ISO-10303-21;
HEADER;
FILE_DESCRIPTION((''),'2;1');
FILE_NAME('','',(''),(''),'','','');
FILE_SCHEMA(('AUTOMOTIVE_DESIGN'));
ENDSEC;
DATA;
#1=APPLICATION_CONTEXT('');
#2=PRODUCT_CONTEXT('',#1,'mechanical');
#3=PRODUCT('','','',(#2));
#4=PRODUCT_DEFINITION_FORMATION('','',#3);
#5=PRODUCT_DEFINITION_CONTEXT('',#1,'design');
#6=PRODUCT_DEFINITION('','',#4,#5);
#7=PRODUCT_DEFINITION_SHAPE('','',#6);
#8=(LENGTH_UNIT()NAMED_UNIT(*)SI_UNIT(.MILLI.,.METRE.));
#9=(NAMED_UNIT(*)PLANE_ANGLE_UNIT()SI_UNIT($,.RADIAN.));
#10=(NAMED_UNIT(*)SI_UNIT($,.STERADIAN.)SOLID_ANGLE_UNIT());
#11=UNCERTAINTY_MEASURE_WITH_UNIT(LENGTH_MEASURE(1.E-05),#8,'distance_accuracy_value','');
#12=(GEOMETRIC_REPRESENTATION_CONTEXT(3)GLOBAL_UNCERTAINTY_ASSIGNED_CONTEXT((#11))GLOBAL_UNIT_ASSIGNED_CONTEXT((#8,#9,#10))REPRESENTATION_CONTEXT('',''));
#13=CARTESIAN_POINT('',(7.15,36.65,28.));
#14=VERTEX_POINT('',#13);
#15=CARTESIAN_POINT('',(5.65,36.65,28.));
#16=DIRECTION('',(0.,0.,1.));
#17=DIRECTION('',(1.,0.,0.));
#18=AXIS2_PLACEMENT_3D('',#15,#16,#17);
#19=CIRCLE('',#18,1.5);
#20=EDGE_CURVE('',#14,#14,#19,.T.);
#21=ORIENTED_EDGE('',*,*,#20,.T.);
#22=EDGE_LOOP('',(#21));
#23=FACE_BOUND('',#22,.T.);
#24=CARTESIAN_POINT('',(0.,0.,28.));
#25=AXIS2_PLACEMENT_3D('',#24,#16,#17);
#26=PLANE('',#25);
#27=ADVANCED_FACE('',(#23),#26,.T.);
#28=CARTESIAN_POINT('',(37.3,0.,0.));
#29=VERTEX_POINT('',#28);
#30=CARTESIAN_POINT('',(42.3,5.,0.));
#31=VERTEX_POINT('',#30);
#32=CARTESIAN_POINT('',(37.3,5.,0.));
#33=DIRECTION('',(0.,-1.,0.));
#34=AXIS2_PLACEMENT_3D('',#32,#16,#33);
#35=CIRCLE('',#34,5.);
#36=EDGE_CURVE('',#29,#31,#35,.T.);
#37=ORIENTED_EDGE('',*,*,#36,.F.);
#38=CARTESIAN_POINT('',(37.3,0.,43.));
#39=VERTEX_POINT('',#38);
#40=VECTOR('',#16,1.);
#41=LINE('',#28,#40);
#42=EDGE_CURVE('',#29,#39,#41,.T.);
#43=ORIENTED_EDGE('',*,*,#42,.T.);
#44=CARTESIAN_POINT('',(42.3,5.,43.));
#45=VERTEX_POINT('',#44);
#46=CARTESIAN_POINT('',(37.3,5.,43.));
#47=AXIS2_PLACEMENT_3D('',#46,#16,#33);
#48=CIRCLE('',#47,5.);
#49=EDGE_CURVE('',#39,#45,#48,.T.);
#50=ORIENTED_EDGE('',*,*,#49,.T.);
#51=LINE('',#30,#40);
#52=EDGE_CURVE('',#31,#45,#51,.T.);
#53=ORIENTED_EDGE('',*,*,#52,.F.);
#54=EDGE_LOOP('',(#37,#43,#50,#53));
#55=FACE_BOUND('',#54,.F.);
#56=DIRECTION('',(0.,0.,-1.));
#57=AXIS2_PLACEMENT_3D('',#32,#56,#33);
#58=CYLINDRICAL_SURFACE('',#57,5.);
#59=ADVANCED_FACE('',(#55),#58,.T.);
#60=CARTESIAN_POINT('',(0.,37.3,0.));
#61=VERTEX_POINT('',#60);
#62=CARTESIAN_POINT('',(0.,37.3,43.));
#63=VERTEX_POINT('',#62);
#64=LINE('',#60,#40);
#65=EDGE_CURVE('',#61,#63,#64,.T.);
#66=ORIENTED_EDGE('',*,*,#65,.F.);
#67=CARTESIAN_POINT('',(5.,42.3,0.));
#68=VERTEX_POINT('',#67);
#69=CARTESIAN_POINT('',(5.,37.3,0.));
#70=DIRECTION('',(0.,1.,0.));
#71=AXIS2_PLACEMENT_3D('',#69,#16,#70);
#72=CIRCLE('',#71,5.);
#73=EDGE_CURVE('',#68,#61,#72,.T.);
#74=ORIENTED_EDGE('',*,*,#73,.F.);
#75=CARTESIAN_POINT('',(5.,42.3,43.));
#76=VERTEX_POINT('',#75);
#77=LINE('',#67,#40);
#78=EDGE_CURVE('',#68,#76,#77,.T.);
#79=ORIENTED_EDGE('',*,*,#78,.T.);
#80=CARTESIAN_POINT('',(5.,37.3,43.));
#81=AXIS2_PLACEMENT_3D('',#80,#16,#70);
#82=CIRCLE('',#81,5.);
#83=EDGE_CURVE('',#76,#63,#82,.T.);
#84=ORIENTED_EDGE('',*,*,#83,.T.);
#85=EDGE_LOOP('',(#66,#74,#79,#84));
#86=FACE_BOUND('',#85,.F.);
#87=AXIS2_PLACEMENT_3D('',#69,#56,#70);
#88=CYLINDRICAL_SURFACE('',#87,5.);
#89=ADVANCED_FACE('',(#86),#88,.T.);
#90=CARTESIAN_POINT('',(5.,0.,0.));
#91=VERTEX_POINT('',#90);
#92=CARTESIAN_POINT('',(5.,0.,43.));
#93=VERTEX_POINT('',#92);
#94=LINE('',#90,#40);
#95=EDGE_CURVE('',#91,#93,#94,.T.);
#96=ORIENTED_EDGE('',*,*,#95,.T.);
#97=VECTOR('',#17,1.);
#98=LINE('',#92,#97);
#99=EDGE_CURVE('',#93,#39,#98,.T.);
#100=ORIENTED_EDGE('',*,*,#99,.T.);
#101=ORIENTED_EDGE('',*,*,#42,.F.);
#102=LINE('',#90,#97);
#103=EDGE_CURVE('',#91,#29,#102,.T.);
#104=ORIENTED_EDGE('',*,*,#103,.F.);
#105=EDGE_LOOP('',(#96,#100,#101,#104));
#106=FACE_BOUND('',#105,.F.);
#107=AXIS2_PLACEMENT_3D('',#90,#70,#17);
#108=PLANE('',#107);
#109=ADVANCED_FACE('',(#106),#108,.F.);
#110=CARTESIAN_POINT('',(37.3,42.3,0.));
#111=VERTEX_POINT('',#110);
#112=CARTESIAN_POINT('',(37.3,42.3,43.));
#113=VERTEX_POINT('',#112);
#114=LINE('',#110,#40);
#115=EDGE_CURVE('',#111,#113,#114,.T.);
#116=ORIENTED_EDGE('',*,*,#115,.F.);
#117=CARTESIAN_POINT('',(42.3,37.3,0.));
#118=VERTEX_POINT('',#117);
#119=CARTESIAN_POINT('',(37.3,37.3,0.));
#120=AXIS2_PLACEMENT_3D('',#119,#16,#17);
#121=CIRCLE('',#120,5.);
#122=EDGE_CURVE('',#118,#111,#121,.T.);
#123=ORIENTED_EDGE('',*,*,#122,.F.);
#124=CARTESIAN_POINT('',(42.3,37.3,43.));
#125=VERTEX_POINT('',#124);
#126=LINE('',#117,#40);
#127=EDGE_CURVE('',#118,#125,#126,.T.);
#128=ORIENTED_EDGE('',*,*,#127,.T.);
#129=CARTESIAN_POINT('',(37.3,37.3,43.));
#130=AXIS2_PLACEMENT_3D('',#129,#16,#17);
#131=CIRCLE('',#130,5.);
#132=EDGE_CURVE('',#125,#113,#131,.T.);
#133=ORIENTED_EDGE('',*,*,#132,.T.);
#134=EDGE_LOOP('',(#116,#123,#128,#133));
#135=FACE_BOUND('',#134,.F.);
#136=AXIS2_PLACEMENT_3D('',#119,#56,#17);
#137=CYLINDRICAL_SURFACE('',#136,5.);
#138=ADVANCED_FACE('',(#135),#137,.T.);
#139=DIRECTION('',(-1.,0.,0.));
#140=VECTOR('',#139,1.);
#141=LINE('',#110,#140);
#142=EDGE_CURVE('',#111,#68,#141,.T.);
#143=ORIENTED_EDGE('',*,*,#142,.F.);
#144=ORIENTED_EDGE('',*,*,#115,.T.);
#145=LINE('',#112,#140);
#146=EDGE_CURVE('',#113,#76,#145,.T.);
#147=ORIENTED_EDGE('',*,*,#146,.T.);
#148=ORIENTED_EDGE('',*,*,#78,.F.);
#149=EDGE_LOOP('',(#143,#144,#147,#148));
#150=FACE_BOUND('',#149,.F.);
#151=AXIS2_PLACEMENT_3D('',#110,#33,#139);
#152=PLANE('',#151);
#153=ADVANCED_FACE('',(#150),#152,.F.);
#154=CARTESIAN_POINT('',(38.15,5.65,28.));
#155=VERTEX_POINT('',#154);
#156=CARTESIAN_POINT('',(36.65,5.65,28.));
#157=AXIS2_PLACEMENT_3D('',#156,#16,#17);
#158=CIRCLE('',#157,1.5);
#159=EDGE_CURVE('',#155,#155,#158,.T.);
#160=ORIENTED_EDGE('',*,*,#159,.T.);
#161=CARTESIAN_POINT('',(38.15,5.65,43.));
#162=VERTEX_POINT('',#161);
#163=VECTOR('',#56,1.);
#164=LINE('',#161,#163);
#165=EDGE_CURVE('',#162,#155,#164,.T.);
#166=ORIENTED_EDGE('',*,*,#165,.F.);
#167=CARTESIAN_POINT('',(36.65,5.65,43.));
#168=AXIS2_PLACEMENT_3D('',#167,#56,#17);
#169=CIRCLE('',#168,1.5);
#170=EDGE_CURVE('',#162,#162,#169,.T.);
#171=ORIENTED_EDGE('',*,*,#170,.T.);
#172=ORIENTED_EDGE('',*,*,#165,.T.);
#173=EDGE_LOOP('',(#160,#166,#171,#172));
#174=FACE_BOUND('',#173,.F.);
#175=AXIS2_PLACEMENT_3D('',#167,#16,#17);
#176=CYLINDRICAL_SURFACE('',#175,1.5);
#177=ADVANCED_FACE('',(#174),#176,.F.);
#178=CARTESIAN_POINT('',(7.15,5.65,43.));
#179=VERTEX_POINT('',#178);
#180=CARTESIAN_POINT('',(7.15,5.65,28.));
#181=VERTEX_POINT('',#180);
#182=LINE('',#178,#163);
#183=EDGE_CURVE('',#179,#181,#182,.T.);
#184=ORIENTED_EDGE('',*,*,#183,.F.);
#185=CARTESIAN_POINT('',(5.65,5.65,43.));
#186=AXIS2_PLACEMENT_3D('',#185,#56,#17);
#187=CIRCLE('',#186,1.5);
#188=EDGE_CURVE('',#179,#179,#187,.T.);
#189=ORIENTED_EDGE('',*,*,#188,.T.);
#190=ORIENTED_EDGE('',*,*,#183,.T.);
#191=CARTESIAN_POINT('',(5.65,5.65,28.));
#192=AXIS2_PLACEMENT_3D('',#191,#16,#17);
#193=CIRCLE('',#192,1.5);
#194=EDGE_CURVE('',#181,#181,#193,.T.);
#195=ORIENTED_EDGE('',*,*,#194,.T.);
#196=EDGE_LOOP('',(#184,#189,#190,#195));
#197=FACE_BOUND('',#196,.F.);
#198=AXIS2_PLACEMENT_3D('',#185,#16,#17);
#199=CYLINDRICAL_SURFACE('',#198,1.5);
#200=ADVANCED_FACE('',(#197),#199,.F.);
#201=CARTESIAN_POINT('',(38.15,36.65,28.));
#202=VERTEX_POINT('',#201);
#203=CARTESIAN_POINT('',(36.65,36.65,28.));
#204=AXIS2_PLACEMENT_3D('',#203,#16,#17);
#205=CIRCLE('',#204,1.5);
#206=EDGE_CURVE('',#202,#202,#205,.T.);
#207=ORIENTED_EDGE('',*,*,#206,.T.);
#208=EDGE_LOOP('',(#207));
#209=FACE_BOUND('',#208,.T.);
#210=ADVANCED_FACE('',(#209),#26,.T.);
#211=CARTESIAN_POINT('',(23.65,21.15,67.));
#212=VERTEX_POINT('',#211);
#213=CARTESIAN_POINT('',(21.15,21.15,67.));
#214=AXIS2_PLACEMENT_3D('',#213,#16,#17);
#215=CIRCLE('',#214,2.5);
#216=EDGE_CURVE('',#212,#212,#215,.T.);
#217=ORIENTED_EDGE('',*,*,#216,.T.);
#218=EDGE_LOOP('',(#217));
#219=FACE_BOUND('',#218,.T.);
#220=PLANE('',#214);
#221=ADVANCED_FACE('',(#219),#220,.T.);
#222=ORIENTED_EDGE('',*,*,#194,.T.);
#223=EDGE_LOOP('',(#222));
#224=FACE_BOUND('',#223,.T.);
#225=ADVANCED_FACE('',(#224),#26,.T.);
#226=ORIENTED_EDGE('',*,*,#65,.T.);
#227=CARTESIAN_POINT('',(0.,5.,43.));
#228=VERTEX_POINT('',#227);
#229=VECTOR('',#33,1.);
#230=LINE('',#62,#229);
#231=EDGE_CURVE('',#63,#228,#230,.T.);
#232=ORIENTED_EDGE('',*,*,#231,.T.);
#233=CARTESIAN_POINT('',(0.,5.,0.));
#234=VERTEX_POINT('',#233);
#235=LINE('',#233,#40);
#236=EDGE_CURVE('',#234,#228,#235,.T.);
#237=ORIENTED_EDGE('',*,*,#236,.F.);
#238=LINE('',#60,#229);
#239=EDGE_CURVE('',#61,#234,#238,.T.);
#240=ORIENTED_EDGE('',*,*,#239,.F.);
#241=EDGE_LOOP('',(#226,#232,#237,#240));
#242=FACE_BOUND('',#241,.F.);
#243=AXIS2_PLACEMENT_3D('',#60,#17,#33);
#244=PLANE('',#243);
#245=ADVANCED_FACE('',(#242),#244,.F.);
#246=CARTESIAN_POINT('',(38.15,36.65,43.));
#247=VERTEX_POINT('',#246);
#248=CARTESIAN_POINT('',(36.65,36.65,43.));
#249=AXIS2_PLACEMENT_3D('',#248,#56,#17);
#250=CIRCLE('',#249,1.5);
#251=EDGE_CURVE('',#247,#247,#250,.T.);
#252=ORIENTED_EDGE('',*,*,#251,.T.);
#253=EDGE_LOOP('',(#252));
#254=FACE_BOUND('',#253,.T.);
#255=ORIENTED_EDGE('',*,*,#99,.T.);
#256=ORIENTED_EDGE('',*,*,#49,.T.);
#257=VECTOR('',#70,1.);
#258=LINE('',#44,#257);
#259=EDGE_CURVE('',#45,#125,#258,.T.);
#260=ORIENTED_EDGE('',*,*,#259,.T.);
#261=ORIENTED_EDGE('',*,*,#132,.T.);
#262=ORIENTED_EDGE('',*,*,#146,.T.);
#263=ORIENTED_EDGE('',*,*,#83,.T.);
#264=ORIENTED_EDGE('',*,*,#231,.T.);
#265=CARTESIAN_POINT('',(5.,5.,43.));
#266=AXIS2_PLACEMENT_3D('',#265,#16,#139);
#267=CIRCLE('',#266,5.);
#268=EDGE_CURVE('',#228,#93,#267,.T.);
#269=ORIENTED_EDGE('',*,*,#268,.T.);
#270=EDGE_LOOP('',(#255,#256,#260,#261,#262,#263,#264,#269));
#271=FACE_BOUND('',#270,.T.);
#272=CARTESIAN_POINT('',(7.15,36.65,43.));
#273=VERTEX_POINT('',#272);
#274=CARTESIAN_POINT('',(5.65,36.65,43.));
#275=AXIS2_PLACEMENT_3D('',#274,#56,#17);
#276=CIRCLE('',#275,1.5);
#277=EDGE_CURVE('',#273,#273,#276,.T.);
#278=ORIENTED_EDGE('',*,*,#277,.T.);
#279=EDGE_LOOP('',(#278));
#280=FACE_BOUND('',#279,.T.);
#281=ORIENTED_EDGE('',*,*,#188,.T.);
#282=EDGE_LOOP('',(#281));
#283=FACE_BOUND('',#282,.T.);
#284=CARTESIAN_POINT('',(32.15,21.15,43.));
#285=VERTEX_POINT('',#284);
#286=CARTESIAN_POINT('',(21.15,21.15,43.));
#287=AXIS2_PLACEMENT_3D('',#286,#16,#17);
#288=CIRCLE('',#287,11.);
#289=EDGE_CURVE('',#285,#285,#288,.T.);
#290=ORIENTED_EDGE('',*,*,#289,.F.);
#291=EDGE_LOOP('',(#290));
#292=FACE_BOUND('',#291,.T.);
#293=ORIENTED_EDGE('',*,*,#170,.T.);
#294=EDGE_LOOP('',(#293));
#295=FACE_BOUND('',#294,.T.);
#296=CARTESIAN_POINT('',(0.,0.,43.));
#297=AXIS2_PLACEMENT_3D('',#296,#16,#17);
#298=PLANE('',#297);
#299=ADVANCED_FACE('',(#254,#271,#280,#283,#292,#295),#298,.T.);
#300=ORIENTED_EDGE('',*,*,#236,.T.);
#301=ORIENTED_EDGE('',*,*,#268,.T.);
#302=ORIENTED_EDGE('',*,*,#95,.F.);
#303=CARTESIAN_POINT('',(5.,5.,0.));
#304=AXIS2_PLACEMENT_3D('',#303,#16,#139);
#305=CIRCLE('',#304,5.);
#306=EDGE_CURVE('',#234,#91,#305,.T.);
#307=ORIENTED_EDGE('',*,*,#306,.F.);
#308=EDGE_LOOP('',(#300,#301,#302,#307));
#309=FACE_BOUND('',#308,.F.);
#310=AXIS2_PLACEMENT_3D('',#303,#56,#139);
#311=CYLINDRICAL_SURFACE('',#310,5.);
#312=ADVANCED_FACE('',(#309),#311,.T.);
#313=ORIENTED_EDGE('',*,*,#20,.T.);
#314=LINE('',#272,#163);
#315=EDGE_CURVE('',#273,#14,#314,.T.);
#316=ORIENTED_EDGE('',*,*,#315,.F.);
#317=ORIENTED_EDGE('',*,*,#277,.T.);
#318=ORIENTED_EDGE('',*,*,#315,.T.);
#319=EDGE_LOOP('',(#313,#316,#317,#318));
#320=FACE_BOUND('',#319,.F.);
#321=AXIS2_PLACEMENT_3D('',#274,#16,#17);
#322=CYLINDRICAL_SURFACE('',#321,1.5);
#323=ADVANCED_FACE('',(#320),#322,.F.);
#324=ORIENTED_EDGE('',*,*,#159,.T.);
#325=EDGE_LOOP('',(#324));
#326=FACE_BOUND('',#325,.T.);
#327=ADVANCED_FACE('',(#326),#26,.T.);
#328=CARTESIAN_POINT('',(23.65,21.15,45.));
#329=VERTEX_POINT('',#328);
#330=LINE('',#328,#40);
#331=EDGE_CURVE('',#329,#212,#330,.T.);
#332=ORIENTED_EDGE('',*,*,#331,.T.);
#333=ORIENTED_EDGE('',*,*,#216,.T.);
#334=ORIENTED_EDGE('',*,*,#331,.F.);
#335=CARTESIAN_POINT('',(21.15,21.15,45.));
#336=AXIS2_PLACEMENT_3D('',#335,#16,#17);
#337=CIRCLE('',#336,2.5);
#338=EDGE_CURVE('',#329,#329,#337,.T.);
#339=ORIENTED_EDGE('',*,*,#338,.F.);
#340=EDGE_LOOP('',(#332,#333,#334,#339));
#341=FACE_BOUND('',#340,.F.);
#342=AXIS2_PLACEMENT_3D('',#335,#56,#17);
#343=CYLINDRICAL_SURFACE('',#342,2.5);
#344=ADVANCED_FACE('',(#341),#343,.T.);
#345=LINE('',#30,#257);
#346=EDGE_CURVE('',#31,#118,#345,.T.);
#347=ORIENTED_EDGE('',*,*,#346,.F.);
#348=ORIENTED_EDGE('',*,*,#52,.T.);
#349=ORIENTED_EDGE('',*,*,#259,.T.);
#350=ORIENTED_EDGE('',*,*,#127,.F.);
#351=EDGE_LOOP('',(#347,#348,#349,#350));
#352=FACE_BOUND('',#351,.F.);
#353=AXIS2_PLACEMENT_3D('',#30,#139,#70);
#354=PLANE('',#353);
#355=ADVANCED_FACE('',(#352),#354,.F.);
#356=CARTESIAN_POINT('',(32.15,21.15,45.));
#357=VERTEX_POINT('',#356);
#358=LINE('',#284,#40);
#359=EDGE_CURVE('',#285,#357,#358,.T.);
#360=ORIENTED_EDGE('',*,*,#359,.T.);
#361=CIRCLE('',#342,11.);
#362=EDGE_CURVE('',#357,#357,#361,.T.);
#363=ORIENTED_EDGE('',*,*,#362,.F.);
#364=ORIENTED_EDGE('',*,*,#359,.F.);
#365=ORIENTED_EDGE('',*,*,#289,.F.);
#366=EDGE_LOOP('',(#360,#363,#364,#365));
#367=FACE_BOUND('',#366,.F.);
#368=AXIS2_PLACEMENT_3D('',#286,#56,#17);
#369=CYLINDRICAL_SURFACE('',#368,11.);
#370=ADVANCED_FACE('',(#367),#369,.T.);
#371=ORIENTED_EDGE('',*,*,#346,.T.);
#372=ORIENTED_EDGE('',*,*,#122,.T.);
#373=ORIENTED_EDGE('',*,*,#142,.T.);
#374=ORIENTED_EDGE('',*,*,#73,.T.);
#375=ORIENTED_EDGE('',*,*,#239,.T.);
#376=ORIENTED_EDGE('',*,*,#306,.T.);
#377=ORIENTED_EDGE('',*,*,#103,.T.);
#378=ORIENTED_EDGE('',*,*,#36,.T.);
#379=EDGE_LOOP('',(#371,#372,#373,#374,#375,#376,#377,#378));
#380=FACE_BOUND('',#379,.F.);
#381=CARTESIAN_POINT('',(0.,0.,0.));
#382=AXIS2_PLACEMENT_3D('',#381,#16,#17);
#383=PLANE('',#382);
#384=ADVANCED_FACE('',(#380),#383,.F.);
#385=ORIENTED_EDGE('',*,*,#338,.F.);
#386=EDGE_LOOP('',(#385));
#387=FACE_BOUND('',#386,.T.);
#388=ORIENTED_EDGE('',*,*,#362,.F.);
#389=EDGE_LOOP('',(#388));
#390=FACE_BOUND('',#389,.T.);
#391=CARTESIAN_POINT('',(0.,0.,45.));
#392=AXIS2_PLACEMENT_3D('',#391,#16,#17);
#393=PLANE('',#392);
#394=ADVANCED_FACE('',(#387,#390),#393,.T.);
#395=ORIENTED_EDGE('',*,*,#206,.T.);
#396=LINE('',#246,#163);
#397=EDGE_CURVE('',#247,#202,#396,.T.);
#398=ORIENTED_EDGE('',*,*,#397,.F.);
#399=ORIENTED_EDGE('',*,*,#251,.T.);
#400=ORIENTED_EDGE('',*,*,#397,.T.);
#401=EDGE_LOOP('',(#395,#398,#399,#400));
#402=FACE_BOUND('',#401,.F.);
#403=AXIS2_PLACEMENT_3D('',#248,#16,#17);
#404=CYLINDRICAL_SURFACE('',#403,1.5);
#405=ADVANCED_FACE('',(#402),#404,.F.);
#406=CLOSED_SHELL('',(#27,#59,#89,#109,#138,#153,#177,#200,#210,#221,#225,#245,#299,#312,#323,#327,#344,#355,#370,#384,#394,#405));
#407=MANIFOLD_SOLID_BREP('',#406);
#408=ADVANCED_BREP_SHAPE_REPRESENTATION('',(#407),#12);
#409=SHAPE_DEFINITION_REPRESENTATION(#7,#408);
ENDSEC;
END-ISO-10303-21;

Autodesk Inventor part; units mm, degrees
ref_plane "YZ Plane" through (0, 0, 0) normal (1, 0, 0) x (0, 1, 0)
ref_plane "XZ Plane" through (0, 0, 0) normal (0, 1, 0) x (-1, 0, 0)
ref_plane "XY Plane" through (0, 0, 0) normal (0, 0, 1) x (1, 0, 0)
sketch "Sketch1" plane through (0, 0, 0) normal (0, 0, 1) x (1, 0, 0)
  line L0 (5, 0) -> (37.3, 0)
  line L1 (42.3, 5) -> (42.3, 37.3)
  line L2 (37.3, 42.3) -> (5, 42.3)
  line L3 (0, 37.3) -> (0, 5)
  arc A0 (5, 42.3) -> (0, 37.3) centre (5, 37.3) ccw
  arc A1 (42.3, 37.3) -> (37.3, 42.3) centre (37.3, 37.3) ccw
  arc A2 (37.3, 0) -> (42.3, 5) centre (37.3, 5) ccw
  arc A3 (0, 5) -> (5, 0) centre (5, 5) ccw
  point P0 (0, 0)
  dimension "d0" = 42.3
  dimension "d1" = 42.3
  dimension "d2" = 5
extrude "Extrusion1" add sketch "Sketch1" along normal blind 43
sketch "Sketch2" plane through (0, 0, 43) normal (0, 0, 1) x (1, 0, 0)
  line L0 (0, 37.3) -> (0, 5) projected
  line L1 (5, 0) -> (37.3, 0) projected
  line L2 (37.3, 42.3) -> (5, 42.3) projected
  circle A0 centre (5.65, 36.65) radius 1.5
  circle A1 centre (36.65, 36.65) radius 1.5
  circle A2 centre (36.65, 5.65) radius 1.5
  circle A3 centre (5.65, 5.65) radius 1.5
  line L3 (5.65, 5.65) -> (21.15, 21.15)
  line L4 (36.65, 5.65) -> (21.15, 21.15)
  line L5 (21.15, 21.15) -> (36.65, 36.65)
  line L6 (21.15, 21.15) -> (5.65, 36.65)
  line L7 (5.65, 36.65) -> (36.65, 36.65)
  line L8 (5.65, 36.65) -> (5.65, 5.65)
  line L9 (21.15, 21.15) -> (21.15, 0)
  line L10 (0, 21.15) -> (21.15, 21.15)
  point P0 (0, 0)
  dimension "d5" = 31
  dimension "d8" = 3
  dimension "d10" = 21.15
  dimension "d11" = 21.15
extrude "Extrusion2" cut sketch "Sketch2" against normal blind 15 contours L7 L8 A0 | A0 L6 L7 | A2 | L8 L6 A0 | L7 L5 A1 | A1 L5 L7 | L8 L3 A3 | A3 L3 L8
sketch "Sketch3" plane through (0, 0, 43) normal (0, 0, 1) x (1, 0, 0)
  line L0 (0, 37.3) -> (0, 5) projected
  line L1 (5, 0) -> (37.3, 0) projected
  line L2 (37.3, 42.3) -> (5, 42.3) projected
  circle A0 centre (21.15, 21.15) radius 11
  line L3 (0, 21.15) -> (21.15, 21.15)
  line L4 (21.15, 21.15) -> (21.15, 0)
  point P0 (0, 0)
  dimension "d14" = 22
extrude "Extrusion3" add sketch "Sketch3" along normal blind 2
sketch "Sketch4" plane through (21.15, 21.15, 45) normal (0, 0, 1) x (1, 0, 0)
  circle A0 centre (0, 0) radius 11 projected
  circle A1 centre (0, 0) radius 2.5
  point P0 (-21.15, -21.15)
  dimension "d19" = 5
extrude "Extrusion4" add sketch "Sketch4" along normal blind 22 contours A1
equation "\"d1\" = d0"
equation "\"d10\" = d11"
properties part number "NEMA17"
